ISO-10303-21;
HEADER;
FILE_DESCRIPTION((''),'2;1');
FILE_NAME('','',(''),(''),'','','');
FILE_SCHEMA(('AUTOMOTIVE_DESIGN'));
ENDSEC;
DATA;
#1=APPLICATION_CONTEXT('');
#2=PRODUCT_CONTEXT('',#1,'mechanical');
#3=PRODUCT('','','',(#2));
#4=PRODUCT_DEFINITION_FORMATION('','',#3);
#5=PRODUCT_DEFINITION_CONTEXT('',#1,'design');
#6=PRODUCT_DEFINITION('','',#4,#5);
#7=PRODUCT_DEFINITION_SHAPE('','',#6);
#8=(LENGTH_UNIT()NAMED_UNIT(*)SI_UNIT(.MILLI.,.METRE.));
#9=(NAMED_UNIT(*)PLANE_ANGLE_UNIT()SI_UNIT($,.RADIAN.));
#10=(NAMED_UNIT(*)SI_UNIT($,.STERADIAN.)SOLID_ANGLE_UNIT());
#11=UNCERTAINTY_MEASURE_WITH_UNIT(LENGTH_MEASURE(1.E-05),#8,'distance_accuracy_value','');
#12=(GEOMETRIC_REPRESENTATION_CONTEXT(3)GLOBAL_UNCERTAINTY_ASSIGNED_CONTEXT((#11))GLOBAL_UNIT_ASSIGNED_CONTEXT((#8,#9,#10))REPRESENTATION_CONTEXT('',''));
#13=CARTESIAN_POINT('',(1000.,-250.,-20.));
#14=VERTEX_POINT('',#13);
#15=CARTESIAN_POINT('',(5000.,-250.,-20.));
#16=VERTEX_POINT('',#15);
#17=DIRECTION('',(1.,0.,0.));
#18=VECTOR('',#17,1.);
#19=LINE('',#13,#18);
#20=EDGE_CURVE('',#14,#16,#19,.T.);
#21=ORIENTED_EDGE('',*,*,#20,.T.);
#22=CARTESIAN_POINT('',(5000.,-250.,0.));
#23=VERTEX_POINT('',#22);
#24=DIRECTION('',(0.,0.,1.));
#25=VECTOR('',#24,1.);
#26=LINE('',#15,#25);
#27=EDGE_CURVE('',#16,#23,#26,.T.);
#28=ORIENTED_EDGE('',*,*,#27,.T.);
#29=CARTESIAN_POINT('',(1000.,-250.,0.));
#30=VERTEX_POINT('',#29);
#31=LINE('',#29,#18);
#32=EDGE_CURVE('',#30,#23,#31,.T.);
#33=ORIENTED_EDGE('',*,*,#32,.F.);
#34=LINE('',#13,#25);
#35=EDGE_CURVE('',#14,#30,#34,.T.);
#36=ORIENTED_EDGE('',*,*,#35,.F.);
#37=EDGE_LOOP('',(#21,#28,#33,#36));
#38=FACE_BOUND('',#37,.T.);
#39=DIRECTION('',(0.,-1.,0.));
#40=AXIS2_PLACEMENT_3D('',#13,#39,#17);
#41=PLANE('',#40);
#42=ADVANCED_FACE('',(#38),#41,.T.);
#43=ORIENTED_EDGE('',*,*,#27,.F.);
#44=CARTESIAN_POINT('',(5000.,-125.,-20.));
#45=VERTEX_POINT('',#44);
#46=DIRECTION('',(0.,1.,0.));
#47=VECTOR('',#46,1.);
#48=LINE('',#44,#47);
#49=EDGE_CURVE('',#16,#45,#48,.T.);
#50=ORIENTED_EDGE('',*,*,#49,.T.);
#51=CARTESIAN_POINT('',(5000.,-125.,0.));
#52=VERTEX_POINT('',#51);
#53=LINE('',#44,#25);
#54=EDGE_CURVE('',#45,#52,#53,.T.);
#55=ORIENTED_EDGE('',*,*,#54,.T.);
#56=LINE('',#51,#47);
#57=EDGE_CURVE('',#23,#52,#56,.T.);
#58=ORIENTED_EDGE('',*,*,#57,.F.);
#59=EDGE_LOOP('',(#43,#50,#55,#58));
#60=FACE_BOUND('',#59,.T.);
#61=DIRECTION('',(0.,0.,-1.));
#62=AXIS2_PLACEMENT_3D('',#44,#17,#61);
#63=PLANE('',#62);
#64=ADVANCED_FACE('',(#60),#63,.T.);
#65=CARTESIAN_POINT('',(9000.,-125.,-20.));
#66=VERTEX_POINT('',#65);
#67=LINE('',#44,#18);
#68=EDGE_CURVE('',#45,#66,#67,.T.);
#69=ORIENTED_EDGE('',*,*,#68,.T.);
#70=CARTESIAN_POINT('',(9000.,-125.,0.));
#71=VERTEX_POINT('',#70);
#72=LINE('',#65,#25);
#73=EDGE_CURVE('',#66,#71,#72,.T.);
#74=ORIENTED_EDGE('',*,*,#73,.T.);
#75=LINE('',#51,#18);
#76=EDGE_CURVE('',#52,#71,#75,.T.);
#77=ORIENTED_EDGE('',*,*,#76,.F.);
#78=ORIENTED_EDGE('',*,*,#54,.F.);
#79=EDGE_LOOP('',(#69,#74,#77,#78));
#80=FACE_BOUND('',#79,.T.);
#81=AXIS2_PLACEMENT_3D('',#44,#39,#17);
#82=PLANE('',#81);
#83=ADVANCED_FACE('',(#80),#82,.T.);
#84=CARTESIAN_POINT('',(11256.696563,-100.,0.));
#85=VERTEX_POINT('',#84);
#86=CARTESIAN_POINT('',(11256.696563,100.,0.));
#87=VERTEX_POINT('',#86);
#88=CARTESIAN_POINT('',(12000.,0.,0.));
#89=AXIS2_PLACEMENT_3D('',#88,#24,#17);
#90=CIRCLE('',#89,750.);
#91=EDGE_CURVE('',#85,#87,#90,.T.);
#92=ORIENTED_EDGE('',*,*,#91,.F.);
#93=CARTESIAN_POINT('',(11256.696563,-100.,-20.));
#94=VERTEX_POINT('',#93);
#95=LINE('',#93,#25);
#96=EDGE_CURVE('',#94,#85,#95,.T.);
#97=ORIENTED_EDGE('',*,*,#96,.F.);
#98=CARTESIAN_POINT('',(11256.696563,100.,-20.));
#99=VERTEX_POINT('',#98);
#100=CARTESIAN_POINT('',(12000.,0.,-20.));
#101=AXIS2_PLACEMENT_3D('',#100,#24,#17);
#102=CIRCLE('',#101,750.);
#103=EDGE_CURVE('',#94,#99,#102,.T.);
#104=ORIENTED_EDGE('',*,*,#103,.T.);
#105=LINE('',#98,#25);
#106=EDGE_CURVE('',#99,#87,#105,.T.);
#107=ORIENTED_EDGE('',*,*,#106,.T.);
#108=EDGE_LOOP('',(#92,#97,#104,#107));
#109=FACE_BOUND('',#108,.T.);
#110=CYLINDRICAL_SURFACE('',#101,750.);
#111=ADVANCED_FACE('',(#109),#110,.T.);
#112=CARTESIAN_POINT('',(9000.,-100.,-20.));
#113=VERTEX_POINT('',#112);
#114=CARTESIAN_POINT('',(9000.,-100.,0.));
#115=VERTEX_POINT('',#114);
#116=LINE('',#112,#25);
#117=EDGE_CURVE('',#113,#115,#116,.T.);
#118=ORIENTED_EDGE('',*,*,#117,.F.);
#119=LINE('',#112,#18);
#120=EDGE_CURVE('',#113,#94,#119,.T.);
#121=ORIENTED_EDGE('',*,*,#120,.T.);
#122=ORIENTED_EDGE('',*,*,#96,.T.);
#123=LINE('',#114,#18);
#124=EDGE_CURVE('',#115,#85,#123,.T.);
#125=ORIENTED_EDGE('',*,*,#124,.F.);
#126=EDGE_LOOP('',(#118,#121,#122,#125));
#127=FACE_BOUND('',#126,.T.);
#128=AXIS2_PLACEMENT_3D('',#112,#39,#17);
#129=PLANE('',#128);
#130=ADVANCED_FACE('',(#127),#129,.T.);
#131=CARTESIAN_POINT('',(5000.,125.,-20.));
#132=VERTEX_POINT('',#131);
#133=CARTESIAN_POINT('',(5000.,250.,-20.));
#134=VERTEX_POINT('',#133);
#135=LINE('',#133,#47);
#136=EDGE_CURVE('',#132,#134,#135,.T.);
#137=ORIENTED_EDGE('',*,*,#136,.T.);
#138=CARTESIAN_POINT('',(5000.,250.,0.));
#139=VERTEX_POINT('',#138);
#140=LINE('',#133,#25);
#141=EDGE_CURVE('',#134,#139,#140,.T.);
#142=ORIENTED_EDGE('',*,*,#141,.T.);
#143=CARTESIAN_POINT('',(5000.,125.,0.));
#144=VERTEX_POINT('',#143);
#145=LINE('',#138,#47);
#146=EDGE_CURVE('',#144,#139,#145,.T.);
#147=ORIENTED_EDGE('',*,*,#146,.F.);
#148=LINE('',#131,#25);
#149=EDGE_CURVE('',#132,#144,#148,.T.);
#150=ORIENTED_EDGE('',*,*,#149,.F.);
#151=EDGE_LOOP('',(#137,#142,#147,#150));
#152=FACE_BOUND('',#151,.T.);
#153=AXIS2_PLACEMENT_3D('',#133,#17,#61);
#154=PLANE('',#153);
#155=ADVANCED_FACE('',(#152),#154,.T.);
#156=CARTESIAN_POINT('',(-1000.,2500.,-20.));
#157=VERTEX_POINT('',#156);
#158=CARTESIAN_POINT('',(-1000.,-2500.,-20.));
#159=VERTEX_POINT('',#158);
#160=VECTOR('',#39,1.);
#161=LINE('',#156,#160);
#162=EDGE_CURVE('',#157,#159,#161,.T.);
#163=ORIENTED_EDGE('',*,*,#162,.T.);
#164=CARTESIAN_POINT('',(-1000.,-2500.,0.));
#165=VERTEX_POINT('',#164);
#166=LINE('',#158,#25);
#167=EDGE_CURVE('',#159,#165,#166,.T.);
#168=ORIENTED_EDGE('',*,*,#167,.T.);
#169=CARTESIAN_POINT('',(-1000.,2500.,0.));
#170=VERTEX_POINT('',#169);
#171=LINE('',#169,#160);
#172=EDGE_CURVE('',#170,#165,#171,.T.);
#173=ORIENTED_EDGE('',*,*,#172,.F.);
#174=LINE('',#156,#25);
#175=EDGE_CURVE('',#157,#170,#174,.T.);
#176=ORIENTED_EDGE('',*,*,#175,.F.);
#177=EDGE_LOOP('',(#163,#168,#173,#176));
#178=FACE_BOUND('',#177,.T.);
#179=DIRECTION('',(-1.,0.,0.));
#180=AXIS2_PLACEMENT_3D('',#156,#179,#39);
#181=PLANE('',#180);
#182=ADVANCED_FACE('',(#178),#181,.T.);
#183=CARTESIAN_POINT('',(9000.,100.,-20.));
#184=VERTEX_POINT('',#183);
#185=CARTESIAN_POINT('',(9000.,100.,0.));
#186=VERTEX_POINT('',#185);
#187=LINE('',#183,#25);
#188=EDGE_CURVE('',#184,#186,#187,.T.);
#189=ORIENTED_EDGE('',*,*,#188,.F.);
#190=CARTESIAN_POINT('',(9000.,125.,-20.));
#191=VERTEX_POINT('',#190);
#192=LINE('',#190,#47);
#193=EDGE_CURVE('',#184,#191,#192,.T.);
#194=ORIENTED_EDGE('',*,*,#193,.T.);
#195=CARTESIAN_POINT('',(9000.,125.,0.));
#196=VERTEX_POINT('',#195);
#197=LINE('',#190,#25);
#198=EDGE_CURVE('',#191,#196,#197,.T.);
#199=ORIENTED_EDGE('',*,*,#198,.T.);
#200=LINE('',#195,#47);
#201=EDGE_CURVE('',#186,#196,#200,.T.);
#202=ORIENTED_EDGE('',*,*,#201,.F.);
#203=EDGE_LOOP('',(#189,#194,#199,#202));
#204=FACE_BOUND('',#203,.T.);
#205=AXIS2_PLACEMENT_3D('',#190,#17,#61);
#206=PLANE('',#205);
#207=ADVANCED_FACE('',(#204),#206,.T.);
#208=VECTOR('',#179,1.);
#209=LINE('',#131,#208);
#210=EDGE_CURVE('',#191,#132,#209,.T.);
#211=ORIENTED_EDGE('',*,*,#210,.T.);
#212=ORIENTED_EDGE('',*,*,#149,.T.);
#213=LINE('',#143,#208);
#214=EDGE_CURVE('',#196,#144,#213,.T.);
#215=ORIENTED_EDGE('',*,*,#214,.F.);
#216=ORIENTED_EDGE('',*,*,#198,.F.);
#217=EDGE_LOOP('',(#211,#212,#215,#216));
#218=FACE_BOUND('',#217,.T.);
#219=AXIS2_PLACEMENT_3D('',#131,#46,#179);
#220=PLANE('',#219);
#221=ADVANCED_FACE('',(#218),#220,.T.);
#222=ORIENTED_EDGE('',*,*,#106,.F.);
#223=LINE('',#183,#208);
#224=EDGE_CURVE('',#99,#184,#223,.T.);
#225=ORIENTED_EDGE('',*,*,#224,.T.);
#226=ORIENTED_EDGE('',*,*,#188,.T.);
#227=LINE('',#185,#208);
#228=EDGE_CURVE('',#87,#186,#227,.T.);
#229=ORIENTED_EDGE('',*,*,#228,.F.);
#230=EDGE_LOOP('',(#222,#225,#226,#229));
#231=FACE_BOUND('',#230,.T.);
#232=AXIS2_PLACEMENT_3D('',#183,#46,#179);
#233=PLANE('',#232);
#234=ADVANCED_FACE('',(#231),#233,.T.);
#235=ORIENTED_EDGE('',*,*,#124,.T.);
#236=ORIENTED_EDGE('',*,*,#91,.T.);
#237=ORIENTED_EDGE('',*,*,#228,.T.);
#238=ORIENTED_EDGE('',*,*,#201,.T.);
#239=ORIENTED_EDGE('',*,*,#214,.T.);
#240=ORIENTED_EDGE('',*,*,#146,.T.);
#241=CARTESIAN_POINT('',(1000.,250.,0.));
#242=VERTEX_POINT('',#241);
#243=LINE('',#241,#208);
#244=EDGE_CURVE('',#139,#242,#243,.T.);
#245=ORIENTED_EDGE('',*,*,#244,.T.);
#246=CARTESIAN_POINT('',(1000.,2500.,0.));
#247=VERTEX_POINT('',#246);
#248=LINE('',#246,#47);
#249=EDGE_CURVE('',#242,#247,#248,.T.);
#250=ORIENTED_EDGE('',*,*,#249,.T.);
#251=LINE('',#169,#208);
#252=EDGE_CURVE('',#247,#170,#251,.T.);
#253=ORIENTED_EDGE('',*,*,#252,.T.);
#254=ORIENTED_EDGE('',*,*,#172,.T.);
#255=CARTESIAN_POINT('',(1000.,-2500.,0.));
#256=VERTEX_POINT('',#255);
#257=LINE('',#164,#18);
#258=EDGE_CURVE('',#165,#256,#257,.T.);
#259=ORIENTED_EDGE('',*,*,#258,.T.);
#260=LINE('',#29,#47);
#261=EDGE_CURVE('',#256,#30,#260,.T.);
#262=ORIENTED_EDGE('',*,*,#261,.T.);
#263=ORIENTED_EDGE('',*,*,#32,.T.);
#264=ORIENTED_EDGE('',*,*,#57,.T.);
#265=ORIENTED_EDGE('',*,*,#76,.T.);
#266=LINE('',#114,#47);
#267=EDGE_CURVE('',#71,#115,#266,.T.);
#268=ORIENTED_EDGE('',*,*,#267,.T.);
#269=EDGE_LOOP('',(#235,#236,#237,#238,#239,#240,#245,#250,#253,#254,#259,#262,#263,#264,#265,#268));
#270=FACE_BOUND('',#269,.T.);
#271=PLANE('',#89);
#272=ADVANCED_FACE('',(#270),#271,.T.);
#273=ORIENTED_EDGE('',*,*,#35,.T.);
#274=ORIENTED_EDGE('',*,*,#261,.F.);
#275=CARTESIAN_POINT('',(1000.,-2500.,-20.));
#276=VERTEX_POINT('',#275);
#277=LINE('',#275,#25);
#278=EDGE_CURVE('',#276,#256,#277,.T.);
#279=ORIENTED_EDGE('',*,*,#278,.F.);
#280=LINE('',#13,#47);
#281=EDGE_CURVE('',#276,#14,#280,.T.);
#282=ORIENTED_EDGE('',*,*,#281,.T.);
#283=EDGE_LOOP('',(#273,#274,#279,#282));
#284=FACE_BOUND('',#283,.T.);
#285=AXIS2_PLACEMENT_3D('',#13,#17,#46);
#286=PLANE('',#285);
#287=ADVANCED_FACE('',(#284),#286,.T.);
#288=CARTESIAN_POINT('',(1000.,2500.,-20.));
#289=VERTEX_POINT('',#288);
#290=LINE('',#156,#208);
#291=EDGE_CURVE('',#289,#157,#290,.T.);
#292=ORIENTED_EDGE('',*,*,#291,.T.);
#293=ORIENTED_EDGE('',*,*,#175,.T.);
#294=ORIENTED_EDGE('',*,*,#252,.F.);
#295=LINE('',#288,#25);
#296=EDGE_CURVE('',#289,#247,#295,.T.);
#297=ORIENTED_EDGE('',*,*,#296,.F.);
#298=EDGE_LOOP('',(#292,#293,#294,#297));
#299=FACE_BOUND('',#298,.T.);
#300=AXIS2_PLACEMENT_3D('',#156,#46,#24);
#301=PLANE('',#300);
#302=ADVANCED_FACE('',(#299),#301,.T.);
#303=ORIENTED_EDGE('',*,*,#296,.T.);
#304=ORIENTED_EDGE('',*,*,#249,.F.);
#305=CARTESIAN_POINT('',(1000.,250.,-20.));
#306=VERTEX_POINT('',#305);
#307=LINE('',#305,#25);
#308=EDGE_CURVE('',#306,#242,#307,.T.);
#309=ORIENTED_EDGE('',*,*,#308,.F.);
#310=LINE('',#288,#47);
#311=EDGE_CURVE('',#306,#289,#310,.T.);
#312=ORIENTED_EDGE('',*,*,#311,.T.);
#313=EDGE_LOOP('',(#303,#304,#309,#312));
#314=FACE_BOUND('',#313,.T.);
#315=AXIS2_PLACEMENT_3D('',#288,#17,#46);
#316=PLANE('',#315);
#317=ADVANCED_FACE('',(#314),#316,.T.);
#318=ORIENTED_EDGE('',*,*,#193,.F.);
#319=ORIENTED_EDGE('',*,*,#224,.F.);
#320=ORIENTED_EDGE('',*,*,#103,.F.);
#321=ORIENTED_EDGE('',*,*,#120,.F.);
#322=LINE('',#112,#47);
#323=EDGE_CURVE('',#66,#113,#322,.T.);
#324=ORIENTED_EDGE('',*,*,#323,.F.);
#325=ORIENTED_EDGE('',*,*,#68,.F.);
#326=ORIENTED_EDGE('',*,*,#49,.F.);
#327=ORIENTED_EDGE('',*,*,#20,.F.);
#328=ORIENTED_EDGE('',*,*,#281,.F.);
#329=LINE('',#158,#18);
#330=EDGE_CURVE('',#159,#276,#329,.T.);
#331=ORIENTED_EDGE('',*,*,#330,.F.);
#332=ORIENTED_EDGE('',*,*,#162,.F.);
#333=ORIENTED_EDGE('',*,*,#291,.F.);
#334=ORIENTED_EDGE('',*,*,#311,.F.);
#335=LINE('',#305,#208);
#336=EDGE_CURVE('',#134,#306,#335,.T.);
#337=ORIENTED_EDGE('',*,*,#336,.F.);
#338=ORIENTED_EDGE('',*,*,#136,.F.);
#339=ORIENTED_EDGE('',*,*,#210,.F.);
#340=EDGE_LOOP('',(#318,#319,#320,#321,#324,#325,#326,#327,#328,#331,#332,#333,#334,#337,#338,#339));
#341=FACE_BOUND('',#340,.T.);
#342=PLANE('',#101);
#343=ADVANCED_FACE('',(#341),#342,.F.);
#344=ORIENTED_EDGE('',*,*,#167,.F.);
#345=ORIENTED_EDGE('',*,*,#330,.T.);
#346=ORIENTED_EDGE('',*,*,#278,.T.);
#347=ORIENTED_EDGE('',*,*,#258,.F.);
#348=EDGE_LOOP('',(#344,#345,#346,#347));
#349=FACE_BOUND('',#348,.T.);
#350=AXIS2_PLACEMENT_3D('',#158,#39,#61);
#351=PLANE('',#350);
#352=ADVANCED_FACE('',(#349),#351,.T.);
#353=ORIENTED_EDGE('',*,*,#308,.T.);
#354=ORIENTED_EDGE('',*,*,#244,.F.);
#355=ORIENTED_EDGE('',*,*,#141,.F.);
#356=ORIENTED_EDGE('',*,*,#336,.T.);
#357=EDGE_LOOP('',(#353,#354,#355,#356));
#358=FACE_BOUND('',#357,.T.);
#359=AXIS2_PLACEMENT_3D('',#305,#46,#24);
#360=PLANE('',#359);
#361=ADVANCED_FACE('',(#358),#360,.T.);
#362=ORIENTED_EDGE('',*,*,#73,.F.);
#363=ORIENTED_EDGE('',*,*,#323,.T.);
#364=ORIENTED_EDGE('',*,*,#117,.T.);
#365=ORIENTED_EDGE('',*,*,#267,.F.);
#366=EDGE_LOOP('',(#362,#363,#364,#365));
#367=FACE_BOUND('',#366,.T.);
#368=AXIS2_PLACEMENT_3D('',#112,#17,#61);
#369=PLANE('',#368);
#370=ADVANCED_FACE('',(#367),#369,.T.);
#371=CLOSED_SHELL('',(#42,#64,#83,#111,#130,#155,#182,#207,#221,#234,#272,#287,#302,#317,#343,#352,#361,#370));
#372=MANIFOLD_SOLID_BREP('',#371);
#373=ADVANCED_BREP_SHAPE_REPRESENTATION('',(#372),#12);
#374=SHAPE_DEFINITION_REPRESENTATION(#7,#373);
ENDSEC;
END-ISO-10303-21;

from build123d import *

# Parameters (mm, degrees)
BOSS_EXTRUDE1_DEPTH = 20


with BuildPart() as part:
    # Sketch1 → Boss-Extrude1 (new body)
    with BuildSketch(Plane.XY):
        with BuildLine():
            Line((1000, 250), (5000, 250))
            Line((5000, 250), (5000, 125))
            Line((5000, 125), (9000, 125))
            Line((9000, 125), (9000, 100))
            Line((9000, 100), (11256.696562634, 100))
            ThreePointArc((11256.696562634, 100), (12750, 0), (11256.696562634, -100))
            Line((11256.696562634, -100), (9000, -100))
            Line((9000, -100), (9000, -125))
            Line((9000, -125), (5000, -125))
            Line((5000, -125), (5000, -250))
            Line((5000, -250), (1000, -250))
            Line((1000, -250), (1000, -2500))
            Line((1000, -2500), (-1000, -2500))
            Line((-1000, -2500), (-1000, 2500))
            Line((-1000, 2500), (1000, 2500))
            Line((1000, 2500), (1000, 250))
        make_face()
    extrude(amount=-BOSS_EXTRUDE1_DEPTH)


solid = part.part
